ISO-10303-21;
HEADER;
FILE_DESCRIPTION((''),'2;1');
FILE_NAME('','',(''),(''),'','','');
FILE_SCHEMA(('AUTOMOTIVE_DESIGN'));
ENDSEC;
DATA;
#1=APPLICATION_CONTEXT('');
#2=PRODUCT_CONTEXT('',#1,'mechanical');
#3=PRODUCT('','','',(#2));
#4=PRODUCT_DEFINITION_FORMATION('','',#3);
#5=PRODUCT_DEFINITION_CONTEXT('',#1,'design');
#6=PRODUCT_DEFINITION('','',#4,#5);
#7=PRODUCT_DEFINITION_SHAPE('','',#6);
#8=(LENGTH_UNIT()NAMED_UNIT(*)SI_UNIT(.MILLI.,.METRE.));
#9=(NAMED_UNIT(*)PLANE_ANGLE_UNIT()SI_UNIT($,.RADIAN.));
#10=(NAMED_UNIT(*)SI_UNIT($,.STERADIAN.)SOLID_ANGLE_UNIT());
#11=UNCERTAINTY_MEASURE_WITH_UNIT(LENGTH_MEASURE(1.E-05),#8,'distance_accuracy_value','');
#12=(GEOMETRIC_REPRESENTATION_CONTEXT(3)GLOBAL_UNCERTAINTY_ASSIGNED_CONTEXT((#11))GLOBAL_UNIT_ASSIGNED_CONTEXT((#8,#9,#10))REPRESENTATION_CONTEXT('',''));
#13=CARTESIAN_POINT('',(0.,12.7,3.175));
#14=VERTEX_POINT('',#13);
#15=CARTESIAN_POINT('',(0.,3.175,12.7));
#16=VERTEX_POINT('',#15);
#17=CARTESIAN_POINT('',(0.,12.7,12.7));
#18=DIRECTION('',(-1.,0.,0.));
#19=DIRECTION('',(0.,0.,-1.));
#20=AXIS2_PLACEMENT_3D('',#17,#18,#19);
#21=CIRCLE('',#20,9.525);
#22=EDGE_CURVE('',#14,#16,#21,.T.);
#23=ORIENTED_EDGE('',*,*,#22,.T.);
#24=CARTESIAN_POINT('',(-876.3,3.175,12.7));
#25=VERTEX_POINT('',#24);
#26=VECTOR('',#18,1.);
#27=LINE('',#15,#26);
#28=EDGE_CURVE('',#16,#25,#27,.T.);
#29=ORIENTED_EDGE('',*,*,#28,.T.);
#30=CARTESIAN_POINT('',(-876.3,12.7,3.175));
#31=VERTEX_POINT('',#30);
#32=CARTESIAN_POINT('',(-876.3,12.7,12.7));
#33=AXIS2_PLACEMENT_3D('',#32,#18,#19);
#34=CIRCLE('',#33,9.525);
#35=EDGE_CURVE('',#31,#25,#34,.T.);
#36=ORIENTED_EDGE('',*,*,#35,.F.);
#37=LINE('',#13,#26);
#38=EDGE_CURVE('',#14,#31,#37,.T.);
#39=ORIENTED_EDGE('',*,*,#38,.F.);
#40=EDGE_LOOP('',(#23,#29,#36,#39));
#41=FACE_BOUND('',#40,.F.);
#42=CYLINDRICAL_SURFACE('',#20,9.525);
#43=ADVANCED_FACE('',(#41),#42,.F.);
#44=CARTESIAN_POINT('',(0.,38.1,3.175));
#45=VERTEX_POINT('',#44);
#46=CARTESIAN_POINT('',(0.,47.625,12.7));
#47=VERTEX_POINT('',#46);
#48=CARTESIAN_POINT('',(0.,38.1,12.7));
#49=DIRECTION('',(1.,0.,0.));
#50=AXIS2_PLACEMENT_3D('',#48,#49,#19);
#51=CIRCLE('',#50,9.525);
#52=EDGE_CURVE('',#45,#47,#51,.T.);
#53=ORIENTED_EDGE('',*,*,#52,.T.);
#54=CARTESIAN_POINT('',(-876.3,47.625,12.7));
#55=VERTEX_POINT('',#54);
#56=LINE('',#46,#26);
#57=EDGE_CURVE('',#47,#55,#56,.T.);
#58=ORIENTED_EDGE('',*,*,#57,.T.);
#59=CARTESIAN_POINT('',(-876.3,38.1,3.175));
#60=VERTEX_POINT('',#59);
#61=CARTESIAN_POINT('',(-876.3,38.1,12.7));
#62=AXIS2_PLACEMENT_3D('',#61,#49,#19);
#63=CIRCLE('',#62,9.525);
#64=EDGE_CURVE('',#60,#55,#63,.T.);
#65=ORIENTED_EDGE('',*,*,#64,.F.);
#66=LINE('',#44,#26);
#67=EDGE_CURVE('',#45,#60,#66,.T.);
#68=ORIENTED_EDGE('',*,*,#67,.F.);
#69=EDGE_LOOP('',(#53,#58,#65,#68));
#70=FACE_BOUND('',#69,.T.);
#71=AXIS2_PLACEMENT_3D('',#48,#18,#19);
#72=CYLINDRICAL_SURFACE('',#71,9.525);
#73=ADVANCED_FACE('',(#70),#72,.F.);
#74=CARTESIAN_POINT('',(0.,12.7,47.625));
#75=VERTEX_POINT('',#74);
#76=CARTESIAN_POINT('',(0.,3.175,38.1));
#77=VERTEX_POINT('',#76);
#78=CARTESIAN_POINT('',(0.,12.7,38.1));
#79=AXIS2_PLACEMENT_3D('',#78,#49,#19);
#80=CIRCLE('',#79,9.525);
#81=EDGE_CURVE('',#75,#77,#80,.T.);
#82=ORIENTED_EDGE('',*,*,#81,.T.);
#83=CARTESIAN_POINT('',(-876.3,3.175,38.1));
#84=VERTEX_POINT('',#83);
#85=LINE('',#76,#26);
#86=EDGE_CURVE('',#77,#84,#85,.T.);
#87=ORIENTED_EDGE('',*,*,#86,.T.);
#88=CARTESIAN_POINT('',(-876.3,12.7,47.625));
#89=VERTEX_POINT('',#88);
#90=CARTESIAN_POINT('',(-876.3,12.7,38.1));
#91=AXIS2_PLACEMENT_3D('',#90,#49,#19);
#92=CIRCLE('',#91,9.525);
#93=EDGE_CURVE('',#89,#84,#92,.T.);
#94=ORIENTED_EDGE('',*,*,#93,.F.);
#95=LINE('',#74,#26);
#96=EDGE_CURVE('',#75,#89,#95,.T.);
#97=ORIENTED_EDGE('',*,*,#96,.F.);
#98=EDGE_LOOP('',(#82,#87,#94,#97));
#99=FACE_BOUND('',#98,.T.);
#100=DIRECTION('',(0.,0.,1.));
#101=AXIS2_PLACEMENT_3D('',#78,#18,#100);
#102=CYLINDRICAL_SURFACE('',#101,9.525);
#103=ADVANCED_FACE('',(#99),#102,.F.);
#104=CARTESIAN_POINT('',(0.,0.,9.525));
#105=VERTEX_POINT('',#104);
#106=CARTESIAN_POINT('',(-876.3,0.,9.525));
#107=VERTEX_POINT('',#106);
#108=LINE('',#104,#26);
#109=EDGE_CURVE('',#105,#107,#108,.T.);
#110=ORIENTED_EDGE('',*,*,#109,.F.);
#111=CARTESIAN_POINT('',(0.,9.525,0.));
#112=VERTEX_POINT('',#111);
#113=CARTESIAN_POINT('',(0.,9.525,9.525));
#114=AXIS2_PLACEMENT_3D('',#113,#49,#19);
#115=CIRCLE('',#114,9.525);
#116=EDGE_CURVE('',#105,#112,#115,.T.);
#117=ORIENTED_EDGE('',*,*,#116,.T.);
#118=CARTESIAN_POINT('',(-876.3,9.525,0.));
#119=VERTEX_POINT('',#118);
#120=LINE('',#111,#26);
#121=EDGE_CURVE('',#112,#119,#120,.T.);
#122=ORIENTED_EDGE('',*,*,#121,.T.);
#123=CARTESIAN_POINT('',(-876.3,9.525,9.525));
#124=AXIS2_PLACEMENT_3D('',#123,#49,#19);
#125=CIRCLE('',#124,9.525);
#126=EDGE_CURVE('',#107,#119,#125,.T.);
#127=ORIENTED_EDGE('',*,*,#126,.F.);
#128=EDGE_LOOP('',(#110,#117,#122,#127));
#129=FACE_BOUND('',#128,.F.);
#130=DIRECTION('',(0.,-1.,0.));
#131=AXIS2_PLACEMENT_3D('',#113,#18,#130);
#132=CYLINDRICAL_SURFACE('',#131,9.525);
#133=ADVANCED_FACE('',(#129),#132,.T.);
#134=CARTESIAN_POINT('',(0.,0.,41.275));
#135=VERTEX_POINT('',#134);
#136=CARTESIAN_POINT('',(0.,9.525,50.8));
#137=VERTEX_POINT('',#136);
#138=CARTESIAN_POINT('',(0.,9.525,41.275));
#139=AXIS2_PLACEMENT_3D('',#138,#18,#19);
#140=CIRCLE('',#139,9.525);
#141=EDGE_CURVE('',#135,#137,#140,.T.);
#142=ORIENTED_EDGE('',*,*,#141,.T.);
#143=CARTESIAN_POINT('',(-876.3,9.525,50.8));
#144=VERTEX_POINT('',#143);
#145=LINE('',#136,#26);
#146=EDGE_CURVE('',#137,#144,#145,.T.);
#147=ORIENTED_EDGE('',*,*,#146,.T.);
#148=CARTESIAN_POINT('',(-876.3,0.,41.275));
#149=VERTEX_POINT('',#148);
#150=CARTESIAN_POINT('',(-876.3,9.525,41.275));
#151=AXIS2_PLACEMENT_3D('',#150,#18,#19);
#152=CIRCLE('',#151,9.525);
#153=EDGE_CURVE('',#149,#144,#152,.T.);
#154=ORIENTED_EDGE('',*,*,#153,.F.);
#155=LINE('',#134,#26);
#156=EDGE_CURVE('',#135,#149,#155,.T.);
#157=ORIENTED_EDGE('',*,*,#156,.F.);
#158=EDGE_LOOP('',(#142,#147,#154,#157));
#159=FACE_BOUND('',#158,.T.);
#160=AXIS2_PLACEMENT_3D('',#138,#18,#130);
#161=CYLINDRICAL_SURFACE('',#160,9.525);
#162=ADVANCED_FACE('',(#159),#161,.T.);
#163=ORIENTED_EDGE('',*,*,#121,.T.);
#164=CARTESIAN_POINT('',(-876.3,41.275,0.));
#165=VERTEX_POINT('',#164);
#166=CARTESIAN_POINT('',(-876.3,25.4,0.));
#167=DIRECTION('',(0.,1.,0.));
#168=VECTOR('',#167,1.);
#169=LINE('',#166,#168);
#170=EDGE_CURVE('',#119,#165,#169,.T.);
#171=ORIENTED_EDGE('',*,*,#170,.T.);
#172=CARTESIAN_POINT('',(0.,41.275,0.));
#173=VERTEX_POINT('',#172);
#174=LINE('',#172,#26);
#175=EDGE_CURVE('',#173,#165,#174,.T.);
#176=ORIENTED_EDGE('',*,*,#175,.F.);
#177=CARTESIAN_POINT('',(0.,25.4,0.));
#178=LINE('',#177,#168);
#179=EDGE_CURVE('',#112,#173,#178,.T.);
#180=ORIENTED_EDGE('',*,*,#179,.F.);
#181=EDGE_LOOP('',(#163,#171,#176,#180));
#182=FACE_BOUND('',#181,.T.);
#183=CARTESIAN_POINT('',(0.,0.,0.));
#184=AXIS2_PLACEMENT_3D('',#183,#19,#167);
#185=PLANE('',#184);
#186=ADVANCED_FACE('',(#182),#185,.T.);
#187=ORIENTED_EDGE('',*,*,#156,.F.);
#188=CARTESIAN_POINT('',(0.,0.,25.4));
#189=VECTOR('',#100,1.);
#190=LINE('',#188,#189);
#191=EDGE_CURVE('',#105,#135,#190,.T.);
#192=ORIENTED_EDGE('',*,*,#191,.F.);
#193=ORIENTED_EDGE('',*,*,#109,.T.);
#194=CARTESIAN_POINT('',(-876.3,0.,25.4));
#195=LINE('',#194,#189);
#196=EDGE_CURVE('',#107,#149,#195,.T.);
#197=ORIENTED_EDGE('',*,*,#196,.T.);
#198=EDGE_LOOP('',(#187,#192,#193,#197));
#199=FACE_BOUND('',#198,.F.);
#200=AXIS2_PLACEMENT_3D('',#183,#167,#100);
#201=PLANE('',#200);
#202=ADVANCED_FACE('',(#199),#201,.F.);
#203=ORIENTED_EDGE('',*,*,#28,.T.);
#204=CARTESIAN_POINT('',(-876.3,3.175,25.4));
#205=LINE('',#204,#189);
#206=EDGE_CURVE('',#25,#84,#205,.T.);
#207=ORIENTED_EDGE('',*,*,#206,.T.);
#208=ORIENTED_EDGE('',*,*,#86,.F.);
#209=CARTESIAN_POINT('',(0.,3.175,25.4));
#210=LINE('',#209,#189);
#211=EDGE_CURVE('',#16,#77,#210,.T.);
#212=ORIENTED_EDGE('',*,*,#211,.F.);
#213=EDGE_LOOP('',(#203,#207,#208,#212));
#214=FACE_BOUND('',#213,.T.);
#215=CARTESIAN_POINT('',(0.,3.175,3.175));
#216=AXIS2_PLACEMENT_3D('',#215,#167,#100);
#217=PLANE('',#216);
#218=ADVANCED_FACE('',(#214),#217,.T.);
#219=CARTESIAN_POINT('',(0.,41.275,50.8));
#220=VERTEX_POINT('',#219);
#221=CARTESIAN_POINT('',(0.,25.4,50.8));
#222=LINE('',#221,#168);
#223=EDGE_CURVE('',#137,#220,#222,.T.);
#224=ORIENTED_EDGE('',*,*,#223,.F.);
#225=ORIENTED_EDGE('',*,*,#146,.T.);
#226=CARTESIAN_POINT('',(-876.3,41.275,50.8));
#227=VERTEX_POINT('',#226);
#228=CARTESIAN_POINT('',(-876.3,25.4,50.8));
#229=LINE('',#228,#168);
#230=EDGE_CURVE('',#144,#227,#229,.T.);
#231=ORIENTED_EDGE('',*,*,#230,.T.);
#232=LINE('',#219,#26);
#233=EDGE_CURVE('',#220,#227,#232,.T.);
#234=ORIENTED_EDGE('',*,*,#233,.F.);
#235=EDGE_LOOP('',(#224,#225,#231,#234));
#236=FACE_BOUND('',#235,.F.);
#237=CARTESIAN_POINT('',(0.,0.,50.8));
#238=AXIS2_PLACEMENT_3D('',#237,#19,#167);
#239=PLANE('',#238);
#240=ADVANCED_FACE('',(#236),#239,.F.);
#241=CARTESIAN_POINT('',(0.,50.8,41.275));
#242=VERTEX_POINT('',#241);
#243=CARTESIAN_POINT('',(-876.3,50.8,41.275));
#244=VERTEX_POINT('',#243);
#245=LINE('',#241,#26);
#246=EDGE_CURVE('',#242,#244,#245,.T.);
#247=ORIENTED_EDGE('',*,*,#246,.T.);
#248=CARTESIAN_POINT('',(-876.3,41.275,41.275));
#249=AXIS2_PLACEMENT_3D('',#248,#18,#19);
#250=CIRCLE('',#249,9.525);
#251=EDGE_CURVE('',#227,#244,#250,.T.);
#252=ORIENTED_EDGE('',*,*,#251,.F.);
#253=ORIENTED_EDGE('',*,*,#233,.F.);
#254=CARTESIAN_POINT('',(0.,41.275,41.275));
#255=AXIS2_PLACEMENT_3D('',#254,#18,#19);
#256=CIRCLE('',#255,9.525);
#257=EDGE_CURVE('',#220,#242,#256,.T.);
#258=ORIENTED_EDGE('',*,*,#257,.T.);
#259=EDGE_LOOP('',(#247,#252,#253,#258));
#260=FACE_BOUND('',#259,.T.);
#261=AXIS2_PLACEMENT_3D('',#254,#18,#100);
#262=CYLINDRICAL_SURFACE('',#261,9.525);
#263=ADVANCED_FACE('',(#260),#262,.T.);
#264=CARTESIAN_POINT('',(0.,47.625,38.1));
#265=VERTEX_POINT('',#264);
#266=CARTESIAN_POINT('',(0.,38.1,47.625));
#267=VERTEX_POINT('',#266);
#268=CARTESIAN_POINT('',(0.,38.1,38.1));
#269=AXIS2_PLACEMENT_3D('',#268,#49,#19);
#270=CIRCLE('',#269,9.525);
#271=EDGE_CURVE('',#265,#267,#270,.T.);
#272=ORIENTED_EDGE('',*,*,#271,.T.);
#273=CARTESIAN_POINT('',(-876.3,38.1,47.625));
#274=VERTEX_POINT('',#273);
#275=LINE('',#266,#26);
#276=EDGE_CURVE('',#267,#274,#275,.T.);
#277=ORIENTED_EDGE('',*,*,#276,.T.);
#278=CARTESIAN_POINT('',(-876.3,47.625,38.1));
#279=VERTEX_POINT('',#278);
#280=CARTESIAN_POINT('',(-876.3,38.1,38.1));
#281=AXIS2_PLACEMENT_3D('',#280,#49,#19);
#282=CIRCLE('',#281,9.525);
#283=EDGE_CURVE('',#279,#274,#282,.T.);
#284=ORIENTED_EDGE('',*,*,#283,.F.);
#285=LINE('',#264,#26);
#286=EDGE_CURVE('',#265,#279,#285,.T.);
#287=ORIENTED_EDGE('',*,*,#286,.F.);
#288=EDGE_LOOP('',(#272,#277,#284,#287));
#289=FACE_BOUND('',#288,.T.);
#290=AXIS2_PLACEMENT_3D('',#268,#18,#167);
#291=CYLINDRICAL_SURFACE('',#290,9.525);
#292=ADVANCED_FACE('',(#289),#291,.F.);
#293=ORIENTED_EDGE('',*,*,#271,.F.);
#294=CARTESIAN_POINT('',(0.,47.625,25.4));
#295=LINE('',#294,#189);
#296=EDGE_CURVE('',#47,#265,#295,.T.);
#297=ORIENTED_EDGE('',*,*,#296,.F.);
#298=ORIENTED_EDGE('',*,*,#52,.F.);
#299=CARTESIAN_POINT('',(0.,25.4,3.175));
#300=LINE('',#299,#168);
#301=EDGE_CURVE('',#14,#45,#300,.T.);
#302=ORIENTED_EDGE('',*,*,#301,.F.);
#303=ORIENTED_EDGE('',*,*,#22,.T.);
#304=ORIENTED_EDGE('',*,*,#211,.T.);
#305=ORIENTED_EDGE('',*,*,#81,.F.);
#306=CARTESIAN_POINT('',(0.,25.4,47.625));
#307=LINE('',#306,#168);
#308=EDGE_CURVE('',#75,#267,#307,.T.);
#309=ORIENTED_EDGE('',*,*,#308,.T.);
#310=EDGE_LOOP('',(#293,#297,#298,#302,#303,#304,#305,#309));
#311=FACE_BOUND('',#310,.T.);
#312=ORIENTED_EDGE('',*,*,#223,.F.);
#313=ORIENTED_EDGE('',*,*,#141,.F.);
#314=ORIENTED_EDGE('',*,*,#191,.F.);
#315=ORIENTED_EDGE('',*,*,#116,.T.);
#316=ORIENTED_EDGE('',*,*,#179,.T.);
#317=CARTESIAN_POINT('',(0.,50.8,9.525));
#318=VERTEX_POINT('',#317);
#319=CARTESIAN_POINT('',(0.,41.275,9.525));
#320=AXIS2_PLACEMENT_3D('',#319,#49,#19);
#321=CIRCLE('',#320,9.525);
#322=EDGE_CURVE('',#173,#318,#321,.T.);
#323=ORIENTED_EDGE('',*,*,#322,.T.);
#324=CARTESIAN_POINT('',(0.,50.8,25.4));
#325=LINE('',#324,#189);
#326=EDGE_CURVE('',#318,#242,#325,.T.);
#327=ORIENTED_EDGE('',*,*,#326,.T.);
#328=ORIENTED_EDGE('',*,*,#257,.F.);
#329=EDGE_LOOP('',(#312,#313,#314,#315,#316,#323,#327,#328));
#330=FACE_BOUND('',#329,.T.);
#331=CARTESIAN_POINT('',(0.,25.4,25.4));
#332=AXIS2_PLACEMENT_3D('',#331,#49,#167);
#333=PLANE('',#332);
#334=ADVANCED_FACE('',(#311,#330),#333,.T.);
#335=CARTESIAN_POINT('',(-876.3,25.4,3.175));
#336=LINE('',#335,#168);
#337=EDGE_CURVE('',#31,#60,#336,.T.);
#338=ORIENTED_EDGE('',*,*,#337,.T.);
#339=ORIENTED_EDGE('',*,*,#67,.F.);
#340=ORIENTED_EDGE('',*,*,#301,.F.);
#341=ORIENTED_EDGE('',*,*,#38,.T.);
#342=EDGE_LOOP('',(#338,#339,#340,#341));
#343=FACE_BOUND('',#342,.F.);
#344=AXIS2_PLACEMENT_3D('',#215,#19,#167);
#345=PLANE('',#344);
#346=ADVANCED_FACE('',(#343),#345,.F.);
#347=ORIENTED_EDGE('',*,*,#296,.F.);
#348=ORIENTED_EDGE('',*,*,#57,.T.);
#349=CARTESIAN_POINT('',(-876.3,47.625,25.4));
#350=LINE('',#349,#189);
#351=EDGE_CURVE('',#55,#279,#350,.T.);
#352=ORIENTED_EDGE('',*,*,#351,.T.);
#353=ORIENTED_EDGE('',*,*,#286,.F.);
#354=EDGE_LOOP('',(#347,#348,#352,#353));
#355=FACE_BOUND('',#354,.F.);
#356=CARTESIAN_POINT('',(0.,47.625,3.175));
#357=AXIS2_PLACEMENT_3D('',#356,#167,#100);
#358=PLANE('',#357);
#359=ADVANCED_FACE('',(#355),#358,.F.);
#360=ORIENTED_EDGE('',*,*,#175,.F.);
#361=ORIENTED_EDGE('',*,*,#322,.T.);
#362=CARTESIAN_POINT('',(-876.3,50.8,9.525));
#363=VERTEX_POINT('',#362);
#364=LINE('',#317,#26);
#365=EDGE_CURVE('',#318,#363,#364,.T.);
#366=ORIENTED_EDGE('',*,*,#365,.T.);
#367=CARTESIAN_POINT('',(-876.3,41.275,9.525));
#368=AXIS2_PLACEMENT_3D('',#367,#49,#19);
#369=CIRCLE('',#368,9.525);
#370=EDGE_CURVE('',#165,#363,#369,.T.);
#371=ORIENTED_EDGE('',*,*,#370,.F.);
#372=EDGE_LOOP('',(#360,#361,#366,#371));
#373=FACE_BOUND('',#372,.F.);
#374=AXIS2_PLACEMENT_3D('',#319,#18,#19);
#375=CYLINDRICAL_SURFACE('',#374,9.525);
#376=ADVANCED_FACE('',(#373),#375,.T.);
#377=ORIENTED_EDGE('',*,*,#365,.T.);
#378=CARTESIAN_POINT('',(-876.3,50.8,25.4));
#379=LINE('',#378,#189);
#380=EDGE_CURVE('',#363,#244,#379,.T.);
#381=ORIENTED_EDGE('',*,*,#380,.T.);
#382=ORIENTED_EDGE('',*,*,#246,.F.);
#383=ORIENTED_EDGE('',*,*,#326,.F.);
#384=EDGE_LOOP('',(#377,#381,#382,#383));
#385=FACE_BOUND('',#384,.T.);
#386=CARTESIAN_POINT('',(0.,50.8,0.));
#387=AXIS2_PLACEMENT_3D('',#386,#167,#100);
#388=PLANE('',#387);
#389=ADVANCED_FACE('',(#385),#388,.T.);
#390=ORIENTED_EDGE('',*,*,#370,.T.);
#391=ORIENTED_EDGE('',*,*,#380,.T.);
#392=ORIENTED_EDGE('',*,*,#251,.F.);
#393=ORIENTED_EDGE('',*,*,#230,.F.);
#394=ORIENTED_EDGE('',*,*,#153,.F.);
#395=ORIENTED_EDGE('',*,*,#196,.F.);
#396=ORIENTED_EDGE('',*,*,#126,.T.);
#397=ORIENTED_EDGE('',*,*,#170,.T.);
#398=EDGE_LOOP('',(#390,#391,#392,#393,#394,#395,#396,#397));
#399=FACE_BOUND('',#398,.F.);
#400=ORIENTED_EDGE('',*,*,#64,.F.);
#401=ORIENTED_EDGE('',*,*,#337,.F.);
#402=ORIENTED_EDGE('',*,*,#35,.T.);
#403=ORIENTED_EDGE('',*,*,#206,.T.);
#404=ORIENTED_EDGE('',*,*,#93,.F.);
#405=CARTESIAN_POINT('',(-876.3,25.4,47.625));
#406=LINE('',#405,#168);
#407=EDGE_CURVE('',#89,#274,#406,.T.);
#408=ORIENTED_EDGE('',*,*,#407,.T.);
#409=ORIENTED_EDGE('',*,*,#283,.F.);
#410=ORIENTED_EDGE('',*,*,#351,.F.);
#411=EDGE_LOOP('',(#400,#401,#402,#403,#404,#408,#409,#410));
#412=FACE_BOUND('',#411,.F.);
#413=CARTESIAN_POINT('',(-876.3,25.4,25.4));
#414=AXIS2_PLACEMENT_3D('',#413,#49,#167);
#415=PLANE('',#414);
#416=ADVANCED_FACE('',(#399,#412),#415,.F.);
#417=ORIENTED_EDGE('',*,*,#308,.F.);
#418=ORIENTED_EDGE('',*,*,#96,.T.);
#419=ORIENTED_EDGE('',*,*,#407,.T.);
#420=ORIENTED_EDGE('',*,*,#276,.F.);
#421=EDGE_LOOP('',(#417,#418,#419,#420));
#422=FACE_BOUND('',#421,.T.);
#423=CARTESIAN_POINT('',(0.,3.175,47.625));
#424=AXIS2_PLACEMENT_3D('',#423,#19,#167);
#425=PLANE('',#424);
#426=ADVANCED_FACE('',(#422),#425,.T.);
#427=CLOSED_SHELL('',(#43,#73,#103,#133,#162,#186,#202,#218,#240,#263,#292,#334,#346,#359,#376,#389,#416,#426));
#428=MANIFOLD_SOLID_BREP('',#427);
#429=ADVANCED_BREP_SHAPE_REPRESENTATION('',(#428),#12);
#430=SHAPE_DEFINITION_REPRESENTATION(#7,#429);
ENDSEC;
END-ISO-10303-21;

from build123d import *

# Parameters (mm, degrees)
F0_W     = 50.8
F0_H     = 50.8
F1_DEPTH = 876.3
F2_W     = 44.45
F2_H     = 44.45
F3_DEPTH = 876.3
F4_R     = 9.525


with BuildPart() as f1:
    # F0 (on Right) → F1 (new body)
    with BuildSketch(Plane.YZ):
        with Locations((25.4, 25.4)):
            Rectangle(F0_W, F0_H)
    extrude(amount=-F1_DEPTH)

    # F2 (on face) → F3 (cut)
    with BuildSketch(Plane.YZ):
        with Locations((25.4, 25.4)):
            Rectangle(F2_W, F2_H)
    extrude(amount=-F3_DEPTH, mode=Mode.SUBTRACT)

    # F4
    f4_edges = [f1.edges().sort_by_distance(p)[0] for p in [
        (-438.15, 3.175, 3.175),
        (-438.15, 47.625, 3.175),
        (-438.15, 47.625, 47.625),
        (-438.15, 3.175, 47.625),
        (-438.15, 50.8, 0),
        (-438.15, 50.8, 50.8),
        (-438.15, 0, 50.8),
        (-438.15, 0, 0),
    ]]
    fillet(f4_edges, radius=F4_R)


solid = f1.part
